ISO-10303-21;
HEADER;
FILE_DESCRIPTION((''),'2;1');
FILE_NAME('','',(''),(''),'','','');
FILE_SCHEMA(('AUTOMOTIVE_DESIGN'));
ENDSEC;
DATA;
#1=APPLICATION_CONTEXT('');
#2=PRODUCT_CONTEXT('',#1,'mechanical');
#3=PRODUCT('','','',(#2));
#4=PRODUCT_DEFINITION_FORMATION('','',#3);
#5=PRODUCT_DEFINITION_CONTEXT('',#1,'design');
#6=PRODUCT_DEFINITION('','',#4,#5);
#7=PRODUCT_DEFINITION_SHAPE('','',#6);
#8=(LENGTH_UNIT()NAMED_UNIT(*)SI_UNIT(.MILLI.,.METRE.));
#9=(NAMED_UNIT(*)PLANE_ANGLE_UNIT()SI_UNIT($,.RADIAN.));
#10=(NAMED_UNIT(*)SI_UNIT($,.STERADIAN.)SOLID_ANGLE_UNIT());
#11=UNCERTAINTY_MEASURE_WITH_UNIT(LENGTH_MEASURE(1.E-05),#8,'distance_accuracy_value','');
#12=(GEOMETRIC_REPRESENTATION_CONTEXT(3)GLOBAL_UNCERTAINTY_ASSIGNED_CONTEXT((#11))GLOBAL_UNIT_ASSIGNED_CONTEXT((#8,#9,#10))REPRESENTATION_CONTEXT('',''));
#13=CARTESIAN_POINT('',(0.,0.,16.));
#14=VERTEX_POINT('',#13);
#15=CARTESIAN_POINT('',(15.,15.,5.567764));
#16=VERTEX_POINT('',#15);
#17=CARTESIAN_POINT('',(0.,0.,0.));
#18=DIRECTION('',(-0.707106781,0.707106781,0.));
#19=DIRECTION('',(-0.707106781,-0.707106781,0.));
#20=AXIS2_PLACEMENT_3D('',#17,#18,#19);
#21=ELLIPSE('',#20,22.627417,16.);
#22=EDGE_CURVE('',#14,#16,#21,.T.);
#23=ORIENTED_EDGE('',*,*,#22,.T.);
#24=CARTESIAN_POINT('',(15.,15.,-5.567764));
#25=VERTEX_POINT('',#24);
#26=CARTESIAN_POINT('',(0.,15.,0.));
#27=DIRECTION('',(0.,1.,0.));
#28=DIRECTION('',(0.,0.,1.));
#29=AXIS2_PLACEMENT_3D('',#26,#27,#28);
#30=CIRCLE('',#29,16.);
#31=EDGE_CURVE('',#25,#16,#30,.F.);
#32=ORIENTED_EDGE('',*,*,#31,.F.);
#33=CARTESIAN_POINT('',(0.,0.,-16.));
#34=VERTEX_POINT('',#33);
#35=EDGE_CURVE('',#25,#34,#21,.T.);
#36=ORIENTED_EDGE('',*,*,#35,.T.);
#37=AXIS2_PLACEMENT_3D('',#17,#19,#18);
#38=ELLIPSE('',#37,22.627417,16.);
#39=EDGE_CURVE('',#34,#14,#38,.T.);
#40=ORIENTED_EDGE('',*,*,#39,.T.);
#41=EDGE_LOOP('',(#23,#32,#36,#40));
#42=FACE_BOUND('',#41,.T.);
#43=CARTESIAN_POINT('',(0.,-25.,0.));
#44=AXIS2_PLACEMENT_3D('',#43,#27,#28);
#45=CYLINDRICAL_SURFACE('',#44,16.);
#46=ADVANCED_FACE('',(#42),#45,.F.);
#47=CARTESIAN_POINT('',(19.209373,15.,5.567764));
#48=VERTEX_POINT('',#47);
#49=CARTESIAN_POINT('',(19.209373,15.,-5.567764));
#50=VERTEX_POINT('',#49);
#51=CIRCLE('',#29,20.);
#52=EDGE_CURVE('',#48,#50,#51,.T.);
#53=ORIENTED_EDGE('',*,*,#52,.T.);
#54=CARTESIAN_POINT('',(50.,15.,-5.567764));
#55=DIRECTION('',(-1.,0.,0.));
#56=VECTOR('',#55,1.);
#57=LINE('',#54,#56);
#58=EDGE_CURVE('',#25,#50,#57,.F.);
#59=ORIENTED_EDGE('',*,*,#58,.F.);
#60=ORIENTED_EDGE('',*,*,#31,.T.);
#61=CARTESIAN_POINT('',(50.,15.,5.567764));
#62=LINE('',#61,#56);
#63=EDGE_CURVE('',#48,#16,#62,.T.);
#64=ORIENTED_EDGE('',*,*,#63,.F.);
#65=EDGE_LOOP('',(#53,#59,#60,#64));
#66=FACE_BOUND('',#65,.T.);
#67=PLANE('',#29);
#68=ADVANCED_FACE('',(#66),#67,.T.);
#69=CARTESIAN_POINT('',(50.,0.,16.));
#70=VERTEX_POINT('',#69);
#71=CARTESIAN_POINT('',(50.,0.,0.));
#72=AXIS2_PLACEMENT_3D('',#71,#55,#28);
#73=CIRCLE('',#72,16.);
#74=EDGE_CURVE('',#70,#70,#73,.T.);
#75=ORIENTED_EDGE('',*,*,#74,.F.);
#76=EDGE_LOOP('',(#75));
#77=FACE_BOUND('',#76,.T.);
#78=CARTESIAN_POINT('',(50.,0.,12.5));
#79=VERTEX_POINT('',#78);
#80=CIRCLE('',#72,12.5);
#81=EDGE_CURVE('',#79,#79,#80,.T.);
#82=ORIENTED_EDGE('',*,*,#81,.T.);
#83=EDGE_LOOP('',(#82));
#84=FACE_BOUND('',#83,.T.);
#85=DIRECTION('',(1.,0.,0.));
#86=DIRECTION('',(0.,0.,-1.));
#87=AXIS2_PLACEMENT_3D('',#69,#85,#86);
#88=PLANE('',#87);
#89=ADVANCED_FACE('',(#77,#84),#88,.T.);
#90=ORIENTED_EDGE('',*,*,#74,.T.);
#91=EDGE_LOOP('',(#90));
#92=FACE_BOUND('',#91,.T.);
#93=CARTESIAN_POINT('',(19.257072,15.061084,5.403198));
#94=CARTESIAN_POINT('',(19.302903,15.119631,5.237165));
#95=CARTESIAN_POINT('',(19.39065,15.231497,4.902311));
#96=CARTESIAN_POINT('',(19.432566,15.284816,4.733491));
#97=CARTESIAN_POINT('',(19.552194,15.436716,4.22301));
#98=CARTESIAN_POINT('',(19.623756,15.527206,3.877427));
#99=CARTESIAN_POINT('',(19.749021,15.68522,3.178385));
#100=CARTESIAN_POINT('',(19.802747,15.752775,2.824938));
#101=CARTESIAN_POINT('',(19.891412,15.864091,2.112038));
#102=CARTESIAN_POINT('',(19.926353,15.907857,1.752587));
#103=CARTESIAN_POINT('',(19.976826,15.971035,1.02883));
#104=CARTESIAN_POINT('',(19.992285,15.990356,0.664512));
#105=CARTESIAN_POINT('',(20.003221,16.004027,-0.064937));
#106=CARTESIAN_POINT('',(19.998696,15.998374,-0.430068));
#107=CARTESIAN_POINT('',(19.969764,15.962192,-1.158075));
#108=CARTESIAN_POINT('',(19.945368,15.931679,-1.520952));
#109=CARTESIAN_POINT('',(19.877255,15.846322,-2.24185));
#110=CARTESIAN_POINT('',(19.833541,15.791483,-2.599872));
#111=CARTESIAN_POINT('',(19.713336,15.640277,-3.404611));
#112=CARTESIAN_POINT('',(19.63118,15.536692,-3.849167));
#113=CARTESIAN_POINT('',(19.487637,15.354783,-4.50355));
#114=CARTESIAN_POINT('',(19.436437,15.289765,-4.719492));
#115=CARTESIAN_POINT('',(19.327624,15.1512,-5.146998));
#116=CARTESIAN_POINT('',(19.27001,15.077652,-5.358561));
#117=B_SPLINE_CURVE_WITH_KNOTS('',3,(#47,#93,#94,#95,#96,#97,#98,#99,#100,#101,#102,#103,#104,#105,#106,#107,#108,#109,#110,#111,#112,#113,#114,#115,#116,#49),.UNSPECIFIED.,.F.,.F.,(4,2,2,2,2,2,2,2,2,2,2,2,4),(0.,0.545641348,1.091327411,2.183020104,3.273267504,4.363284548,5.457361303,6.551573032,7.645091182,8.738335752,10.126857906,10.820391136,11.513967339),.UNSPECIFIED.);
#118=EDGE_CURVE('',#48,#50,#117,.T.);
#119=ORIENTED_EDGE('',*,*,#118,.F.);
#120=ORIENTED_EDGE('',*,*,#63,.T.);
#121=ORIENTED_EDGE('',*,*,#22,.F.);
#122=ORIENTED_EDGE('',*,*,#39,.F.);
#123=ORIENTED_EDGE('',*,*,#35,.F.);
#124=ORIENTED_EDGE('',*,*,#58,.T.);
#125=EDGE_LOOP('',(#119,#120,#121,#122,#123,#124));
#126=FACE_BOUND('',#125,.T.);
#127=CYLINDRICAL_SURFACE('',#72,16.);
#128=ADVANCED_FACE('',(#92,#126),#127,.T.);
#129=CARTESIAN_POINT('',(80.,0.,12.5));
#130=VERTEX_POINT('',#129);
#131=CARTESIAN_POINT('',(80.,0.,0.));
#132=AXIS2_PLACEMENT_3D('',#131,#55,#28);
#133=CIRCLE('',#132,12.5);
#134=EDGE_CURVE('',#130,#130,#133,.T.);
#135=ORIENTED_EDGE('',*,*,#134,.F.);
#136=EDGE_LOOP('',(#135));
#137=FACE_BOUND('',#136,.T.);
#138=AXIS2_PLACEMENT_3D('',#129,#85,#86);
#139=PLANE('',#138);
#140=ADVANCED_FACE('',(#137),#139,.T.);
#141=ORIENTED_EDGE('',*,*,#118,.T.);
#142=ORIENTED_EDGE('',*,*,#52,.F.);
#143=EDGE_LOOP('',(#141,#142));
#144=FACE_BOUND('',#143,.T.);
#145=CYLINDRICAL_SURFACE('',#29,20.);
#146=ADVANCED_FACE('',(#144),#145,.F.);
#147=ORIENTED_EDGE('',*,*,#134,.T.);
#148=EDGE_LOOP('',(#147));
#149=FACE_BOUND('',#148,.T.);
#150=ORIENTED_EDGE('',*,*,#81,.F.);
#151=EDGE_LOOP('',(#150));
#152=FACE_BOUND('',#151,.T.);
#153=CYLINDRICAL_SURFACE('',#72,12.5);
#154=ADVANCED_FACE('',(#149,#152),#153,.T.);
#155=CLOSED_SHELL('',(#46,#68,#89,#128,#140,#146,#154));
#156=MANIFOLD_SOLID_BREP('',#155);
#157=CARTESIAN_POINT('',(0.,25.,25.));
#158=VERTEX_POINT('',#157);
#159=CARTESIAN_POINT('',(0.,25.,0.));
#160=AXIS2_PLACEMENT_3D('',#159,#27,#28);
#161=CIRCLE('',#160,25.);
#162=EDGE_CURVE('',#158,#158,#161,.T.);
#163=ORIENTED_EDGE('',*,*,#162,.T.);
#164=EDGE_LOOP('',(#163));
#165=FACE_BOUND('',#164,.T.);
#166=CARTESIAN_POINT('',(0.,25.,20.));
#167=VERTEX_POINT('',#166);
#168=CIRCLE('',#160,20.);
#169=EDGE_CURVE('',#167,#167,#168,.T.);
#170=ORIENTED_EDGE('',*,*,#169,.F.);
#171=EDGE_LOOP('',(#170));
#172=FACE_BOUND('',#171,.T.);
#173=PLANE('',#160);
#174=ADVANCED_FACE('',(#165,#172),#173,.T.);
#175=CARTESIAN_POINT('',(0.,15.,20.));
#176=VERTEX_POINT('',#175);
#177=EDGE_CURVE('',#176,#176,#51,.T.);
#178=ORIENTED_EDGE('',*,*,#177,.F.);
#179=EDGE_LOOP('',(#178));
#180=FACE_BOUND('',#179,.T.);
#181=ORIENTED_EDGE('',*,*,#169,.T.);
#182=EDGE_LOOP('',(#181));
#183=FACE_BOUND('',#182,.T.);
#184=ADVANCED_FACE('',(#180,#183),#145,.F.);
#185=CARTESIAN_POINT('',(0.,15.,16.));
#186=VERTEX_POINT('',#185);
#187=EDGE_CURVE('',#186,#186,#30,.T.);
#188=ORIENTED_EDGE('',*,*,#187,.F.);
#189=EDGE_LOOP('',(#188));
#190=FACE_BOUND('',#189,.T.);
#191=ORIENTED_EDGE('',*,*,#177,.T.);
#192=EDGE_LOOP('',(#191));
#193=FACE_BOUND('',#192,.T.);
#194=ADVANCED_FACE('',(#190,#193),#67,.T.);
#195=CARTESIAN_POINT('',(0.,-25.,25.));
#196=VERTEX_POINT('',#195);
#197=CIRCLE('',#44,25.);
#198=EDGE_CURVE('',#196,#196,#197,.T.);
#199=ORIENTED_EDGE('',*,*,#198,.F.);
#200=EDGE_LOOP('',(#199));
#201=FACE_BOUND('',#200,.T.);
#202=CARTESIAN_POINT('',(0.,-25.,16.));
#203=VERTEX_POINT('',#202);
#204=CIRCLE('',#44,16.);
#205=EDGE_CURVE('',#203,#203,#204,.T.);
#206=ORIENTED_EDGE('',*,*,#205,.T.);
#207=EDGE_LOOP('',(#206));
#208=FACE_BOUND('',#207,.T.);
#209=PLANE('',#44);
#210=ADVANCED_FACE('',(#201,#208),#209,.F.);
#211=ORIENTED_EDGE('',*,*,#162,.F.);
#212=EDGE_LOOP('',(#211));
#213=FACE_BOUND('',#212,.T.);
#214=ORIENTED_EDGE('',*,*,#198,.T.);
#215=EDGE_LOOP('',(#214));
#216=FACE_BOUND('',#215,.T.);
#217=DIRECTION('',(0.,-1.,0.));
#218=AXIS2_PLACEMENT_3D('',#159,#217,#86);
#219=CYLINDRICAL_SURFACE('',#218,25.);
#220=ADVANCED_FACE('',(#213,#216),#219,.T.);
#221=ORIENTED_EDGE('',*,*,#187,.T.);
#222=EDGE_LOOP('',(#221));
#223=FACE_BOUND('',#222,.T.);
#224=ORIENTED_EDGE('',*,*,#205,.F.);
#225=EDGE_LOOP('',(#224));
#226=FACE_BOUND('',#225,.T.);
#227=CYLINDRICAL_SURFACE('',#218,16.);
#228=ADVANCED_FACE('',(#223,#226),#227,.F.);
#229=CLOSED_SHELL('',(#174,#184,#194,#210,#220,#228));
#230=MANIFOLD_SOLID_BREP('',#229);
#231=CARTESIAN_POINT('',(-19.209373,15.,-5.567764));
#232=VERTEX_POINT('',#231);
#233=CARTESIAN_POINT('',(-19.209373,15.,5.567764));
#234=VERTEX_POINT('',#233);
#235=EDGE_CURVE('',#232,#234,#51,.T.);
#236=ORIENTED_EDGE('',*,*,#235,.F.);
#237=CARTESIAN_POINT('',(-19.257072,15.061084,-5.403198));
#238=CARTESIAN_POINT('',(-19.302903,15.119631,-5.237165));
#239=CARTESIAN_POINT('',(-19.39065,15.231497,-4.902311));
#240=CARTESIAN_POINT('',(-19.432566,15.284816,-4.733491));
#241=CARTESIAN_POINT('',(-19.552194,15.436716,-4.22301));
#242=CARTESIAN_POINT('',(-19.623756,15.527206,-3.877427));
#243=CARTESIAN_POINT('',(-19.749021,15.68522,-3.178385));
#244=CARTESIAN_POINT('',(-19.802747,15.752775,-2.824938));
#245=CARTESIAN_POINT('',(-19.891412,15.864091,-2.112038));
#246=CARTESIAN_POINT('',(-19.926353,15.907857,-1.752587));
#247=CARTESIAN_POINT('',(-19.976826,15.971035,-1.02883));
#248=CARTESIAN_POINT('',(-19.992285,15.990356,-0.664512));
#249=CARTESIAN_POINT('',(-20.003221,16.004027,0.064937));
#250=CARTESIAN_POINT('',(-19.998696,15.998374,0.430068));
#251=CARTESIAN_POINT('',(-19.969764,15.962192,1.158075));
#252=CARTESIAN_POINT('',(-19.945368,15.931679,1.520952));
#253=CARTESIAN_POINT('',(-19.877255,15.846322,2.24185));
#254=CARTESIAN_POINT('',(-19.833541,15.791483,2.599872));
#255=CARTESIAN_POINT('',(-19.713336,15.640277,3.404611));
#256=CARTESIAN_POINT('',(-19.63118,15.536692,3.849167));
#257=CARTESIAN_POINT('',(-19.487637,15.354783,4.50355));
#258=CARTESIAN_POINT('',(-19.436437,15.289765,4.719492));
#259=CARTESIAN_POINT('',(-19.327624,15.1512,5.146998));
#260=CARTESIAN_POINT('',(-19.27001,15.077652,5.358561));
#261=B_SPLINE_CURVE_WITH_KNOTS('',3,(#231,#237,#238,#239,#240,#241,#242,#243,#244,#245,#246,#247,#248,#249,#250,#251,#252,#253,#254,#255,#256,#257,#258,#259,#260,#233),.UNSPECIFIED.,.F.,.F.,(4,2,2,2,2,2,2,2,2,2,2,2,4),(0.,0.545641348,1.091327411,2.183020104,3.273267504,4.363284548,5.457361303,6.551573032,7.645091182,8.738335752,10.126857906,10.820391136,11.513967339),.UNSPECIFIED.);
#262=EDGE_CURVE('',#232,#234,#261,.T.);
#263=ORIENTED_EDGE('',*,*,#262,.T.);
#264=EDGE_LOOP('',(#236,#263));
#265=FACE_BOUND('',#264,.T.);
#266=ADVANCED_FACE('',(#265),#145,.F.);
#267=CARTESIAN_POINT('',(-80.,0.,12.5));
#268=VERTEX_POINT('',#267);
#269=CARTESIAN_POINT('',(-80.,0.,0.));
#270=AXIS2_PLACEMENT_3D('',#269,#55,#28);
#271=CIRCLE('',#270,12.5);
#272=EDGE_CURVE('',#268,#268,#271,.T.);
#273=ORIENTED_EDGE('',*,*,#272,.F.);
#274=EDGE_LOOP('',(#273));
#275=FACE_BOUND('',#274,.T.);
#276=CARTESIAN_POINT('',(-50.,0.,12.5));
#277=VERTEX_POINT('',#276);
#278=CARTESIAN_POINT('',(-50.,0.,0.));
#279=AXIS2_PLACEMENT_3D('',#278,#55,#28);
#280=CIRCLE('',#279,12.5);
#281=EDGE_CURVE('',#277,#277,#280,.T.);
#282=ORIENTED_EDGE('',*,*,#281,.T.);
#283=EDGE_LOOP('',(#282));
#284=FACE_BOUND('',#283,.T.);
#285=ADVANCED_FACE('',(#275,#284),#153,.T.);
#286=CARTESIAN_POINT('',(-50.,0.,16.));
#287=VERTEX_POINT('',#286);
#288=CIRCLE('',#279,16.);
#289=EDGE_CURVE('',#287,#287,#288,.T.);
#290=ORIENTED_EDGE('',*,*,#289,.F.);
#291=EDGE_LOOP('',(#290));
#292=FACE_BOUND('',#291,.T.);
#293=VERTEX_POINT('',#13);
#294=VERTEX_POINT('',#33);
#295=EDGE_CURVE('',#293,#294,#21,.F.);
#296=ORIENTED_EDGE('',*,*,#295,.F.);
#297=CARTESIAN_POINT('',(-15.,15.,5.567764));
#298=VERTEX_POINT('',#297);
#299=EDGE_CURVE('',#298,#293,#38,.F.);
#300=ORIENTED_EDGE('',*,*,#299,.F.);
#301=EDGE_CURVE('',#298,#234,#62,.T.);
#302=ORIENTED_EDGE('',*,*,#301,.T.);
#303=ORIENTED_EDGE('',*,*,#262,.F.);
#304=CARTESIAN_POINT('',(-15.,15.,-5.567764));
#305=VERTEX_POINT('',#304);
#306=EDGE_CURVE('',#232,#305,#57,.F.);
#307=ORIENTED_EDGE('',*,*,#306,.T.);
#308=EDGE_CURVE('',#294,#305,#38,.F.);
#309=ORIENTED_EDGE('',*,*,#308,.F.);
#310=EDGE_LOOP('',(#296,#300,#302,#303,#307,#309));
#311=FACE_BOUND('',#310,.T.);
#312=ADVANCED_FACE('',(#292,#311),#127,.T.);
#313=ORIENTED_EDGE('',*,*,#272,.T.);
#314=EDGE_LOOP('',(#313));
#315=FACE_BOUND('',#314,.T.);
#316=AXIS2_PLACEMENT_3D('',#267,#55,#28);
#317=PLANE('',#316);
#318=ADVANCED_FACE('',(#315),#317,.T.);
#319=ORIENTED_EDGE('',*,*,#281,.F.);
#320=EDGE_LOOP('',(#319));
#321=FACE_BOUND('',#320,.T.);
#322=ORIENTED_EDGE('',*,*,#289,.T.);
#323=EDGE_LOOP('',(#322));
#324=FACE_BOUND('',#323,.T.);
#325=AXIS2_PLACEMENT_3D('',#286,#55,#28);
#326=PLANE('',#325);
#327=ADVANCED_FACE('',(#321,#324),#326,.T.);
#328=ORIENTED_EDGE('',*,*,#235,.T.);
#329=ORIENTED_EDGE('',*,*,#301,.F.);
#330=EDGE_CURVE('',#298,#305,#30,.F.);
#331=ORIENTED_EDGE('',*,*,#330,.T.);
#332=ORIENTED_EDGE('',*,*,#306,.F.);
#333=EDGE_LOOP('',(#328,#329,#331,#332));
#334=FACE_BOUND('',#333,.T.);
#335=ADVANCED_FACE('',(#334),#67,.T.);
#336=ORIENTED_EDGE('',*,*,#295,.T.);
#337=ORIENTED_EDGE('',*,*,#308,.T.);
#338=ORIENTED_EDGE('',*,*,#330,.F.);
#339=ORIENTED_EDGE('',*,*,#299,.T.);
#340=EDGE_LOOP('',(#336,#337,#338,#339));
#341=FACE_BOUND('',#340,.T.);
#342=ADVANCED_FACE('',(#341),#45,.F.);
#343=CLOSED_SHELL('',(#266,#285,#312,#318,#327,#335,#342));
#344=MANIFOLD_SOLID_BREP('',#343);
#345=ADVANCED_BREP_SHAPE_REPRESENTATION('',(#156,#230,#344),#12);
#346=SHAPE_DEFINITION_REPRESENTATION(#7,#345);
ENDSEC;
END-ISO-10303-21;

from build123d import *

# Parameters (mm, degrees)
SKETCH2_R               = 25
SKETCH2_R_2             = 16
BOSS_EXTRUDE2_DEPTH     = 25
CUT_EXTRUDE1_DEPTH      = 88.464278423
CUT_EXTRUDE1_DEPTH_BACK = 88.464278423
SKETCH2_3_R             = 16
SKETCH3_R               = 20
CUT_EXTRUDE2_DEPTH      = 10


with BuildPart() as part:
    # Sketch1 → Revolve2 (revolve)
    with BuildSketch(Plane(origin=(0, 0, 0), x_dir=(1, 0, 0), z_dir=(0, 1, 0))):
        Polygon((-80, -12.5), (-50, -12.5), (-50, -16), (50, -16), (50, -12.5), (80, -12.5), (80, 0), (79.691777251, 0), (-80, 0), align=None)
    revolve(axis=Axis((50, 0, 0), (1, 0, 0)))

    # Sketch2<3> → Cut-Extrude1 (cut, two sides: drawn at the far end of the back side and taken through both)
    with BuildSketch(Plane(origin=(0, 0, 0), x_dir=(1, 0, 0), z_dir=(0, 1, 0)).offset(-CUT_EXTRUDE1_DEPTH_BACK)):
        Circle(SKETCH2_3_R)
    extrude(amount=CUT_EXTRUDE1_DEPTH + CUT_EXTRUDE1_DEPTH_BACK, mode=Mode.SUBTRACT)


with BuildPart() as body_2:
    # Sketch2 → Boss-Extrude2 (new, symmetric)
    with BuildSketch(Plane(origin=(0, 0, 0), x_dir=(1, 0, 0), z_dir=(0, 1, 0))):
        Circle(SKETCH2_R)
        Circle(SKETCH2_R_2, mode=Mode.SUBTRACT)
    extrude(amount=BOSS_EXTRUDE2_DEPTH, both=True)


with BuildPart() as cut_extrude1_piece_1:
    # of the separate pieces the step leaves, piece 1, a body of its own (cut_extrude1_pieces)
    add(part.part.solids().sort_by_distance((-80, 0, 12.5))[0])


with BuildPart() as cut_extrude1_piece_2:
    # of the separate pieces the step leaves, piece 2, a body of its own (cut_extrude1_pieces)
    add(part.part.solids().sort_by_distance((16, 16, 0))[0])


with BuildPart() as cut_extrude2_tool:
    # Sketch3 → Cut-Extrude2 (new body)
    with BuildSketch(Plane(origin=(0, 25, 0), x_dir=(1, 0, 0), z_dir=(0, 1, 0))):
        Circle(SKETCH3_R)
    extrude(amount=-CUT_EXTRUDE2_DEPTH)


with BuildPart() as body_2_1:
    add(body_2.part)

    # Cut-Extrude2: cut by cut_extrude2_tool
    add(cut_extrude2_tool.part, mode=Mode.SUBTRACT)


with BuildPart() as cut_extrude1_piece_1_1:
    add(cut_extrude1_piece_1.part)

    # Cut-Extrude2: cut by cut_extrude2_tool
    add(cut_extrude2_tool.part, mode=Mode.SUBTRACT)


with BuildPart() as cut_extrude1_piece_2_1:
    add(cut_extrude1_piece_2.part)

    # Cut-Extrude2: cut by cut_extrude2_tool
    add(cut_extrude2_tool.part, mode=Mode.SUBTRACT)


solid = Compound([body_2_1.part, cut_extrude1_piece_1_1.part, cut_extrude1_piece_2_1.part])
